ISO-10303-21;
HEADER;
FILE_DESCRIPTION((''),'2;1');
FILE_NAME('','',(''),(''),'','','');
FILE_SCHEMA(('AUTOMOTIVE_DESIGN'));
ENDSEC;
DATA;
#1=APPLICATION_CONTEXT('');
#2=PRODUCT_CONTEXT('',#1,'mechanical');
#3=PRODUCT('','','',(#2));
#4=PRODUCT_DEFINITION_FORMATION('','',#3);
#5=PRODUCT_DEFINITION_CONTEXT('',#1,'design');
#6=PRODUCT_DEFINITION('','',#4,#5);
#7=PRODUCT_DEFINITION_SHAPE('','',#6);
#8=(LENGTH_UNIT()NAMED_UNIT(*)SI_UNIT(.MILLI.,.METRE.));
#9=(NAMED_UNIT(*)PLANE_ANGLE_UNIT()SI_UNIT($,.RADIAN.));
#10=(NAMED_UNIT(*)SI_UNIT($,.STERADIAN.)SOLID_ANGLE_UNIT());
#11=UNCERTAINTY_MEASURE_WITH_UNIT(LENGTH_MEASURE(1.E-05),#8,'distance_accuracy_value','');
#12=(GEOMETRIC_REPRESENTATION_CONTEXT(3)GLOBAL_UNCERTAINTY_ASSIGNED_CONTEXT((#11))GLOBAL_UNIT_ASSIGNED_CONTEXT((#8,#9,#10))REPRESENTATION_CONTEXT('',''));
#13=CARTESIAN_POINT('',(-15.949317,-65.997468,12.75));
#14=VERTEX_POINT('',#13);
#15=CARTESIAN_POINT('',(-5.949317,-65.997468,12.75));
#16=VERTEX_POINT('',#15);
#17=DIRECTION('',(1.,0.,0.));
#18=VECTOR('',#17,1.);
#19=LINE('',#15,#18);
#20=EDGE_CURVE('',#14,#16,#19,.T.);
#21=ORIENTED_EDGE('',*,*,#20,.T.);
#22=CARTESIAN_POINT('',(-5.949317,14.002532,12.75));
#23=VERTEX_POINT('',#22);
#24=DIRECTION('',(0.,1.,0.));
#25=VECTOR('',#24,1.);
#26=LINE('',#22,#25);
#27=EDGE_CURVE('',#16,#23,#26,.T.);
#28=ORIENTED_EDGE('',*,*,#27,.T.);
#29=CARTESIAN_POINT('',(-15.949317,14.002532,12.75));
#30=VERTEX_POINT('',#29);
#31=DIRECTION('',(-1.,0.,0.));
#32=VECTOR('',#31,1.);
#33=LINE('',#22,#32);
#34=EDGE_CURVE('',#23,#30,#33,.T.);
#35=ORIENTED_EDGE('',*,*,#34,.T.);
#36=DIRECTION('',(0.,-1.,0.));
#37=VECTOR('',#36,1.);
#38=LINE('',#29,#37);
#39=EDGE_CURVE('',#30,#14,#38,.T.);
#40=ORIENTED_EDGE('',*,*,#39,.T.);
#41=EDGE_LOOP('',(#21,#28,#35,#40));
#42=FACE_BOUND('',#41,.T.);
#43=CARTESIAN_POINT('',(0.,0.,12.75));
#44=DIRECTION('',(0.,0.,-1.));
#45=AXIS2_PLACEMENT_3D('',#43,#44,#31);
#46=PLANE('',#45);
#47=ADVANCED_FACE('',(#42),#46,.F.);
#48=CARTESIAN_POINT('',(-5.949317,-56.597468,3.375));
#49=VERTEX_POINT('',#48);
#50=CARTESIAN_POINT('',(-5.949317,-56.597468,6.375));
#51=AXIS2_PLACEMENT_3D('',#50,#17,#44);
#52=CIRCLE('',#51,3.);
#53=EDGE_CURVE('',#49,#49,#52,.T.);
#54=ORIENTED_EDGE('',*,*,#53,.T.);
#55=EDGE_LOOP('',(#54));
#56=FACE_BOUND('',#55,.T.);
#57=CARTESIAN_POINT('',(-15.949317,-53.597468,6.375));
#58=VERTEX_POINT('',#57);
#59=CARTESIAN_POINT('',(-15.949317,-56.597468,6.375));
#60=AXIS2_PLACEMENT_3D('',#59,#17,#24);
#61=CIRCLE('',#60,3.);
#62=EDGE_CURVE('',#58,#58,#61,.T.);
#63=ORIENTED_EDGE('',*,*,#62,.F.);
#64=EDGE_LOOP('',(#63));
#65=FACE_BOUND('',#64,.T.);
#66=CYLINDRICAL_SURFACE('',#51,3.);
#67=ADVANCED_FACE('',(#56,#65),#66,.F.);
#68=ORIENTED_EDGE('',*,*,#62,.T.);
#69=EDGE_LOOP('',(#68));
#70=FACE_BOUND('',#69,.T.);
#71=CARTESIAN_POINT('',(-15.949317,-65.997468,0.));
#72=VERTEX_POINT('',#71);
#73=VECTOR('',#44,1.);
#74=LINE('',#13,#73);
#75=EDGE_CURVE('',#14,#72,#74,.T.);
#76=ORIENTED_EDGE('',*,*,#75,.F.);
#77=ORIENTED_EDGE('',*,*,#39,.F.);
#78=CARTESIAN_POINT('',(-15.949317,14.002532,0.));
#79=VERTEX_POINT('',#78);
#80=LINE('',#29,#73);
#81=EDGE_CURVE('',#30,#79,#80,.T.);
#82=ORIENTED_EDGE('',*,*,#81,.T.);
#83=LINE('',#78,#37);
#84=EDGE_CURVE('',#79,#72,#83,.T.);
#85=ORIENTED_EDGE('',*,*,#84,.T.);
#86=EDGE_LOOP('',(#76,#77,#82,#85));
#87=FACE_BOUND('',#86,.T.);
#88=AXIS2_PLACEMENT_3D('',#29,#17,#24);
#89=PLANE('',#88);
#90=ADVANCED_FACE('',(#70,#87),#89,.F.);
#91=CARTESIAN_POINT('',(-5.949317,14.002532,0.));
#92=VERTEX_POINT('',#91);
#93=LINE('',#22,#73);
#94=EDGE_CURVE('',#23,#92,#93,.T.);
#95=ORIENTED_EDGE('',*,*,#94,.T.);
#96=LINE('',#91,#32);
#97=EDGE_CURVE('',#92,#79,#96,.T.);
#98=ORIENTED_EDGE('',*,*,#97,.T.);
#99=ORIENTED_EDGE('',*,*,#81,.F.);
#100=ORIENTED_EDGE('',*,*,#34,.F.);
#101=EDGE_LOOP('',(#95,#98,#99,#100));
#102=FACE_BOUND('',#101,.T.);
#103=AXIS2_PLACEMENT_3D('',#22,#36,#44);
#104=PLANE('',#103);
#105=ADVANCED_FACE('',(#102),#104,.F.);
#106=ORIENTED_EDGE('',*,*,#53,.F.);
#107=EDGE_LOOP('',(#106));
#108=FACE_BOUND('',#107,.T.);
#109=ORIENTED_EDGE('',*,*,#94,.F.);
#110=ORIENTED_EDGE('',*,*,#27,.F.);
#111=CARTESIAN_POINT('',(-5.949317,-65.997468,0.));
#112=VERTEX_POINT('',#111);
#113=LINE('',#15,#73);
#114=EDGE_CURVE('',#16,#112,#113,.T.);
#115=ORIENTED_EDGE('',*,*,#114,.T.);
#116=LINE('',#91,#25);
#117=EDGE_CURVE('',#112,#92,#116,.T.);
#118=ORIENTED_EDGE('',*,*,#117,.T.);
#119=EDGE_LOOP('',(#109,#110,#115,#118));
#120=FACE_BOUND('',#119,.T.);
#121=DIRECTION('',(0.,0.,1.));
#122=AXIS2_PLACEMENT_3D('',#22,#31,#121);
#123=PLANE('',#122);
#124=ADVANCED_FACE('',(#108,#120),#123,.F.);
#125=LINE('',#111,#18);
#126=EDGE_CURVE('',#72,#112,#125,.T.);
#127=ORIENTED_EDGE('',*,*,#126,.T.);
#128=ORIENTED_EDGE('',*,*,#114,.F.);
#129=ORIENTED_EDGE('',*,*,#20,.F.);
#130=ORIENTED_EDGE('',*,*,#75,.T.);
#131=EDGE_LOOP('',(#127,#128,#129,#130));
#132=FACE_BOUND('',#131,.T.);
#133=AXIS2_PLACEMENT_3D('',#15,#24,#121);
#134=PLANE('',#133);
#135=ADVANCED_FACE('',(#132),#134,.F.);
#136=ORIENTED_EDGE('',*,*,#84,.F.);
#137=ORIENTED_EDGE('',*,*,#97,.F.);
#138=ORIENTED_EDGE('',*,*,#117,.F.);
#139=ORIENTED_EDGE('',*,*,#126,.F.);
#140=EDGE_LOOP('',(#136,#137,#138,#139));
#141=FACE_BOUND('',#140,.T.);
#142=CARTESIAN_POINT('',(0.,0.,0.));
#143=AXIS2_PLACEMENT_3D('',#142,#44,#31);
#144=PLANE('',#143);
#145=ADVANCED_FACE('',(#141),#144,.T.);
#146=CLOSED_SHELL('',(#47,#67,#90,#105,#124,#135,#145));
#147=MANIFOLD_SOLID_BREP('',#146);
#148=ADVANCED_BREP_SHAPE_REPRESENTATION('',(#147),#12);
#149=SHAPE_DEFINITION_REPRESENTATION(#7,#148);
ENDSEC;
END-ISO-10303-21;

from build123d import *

# Parameters (mm, degrees)
SKIZZE1_W                       = 10
SKIZZE1_H                       = 80
AUFSATZ_LINEAR_AUSTRAGEN1_DEPTH = 12.75
F_6_0_6_DURCHMESSER_BOHRUNG1_D  = 6


with BuildPart() as part:
    # Skizze1 → Aufsatz-Linear austragen1 (new body)
    with BuildSketch(Plane.XY):
        with Locations((-10.949316523, -25.997467638)):
            Rectangle(SKIZZE1_W, SKIZZE1_H)
    extrude(amount=AUFSATZ_LINEAR_AUSTRAGEN1_DEPTH)

    # Ø6.0 (6) Durchmesser Bohrung1 (through all)
    with Locations(Plane(origin=(-5.949316523, 0, 0), x_dir=(0, 0, -1), z_dir=(1, 0, 0))):
        with Locations((-6.375, -56.597467638)):
            Hole(F_6_0_6_DURCHMESSER_BOHRUNG1_D / 2)


solid = part.part
